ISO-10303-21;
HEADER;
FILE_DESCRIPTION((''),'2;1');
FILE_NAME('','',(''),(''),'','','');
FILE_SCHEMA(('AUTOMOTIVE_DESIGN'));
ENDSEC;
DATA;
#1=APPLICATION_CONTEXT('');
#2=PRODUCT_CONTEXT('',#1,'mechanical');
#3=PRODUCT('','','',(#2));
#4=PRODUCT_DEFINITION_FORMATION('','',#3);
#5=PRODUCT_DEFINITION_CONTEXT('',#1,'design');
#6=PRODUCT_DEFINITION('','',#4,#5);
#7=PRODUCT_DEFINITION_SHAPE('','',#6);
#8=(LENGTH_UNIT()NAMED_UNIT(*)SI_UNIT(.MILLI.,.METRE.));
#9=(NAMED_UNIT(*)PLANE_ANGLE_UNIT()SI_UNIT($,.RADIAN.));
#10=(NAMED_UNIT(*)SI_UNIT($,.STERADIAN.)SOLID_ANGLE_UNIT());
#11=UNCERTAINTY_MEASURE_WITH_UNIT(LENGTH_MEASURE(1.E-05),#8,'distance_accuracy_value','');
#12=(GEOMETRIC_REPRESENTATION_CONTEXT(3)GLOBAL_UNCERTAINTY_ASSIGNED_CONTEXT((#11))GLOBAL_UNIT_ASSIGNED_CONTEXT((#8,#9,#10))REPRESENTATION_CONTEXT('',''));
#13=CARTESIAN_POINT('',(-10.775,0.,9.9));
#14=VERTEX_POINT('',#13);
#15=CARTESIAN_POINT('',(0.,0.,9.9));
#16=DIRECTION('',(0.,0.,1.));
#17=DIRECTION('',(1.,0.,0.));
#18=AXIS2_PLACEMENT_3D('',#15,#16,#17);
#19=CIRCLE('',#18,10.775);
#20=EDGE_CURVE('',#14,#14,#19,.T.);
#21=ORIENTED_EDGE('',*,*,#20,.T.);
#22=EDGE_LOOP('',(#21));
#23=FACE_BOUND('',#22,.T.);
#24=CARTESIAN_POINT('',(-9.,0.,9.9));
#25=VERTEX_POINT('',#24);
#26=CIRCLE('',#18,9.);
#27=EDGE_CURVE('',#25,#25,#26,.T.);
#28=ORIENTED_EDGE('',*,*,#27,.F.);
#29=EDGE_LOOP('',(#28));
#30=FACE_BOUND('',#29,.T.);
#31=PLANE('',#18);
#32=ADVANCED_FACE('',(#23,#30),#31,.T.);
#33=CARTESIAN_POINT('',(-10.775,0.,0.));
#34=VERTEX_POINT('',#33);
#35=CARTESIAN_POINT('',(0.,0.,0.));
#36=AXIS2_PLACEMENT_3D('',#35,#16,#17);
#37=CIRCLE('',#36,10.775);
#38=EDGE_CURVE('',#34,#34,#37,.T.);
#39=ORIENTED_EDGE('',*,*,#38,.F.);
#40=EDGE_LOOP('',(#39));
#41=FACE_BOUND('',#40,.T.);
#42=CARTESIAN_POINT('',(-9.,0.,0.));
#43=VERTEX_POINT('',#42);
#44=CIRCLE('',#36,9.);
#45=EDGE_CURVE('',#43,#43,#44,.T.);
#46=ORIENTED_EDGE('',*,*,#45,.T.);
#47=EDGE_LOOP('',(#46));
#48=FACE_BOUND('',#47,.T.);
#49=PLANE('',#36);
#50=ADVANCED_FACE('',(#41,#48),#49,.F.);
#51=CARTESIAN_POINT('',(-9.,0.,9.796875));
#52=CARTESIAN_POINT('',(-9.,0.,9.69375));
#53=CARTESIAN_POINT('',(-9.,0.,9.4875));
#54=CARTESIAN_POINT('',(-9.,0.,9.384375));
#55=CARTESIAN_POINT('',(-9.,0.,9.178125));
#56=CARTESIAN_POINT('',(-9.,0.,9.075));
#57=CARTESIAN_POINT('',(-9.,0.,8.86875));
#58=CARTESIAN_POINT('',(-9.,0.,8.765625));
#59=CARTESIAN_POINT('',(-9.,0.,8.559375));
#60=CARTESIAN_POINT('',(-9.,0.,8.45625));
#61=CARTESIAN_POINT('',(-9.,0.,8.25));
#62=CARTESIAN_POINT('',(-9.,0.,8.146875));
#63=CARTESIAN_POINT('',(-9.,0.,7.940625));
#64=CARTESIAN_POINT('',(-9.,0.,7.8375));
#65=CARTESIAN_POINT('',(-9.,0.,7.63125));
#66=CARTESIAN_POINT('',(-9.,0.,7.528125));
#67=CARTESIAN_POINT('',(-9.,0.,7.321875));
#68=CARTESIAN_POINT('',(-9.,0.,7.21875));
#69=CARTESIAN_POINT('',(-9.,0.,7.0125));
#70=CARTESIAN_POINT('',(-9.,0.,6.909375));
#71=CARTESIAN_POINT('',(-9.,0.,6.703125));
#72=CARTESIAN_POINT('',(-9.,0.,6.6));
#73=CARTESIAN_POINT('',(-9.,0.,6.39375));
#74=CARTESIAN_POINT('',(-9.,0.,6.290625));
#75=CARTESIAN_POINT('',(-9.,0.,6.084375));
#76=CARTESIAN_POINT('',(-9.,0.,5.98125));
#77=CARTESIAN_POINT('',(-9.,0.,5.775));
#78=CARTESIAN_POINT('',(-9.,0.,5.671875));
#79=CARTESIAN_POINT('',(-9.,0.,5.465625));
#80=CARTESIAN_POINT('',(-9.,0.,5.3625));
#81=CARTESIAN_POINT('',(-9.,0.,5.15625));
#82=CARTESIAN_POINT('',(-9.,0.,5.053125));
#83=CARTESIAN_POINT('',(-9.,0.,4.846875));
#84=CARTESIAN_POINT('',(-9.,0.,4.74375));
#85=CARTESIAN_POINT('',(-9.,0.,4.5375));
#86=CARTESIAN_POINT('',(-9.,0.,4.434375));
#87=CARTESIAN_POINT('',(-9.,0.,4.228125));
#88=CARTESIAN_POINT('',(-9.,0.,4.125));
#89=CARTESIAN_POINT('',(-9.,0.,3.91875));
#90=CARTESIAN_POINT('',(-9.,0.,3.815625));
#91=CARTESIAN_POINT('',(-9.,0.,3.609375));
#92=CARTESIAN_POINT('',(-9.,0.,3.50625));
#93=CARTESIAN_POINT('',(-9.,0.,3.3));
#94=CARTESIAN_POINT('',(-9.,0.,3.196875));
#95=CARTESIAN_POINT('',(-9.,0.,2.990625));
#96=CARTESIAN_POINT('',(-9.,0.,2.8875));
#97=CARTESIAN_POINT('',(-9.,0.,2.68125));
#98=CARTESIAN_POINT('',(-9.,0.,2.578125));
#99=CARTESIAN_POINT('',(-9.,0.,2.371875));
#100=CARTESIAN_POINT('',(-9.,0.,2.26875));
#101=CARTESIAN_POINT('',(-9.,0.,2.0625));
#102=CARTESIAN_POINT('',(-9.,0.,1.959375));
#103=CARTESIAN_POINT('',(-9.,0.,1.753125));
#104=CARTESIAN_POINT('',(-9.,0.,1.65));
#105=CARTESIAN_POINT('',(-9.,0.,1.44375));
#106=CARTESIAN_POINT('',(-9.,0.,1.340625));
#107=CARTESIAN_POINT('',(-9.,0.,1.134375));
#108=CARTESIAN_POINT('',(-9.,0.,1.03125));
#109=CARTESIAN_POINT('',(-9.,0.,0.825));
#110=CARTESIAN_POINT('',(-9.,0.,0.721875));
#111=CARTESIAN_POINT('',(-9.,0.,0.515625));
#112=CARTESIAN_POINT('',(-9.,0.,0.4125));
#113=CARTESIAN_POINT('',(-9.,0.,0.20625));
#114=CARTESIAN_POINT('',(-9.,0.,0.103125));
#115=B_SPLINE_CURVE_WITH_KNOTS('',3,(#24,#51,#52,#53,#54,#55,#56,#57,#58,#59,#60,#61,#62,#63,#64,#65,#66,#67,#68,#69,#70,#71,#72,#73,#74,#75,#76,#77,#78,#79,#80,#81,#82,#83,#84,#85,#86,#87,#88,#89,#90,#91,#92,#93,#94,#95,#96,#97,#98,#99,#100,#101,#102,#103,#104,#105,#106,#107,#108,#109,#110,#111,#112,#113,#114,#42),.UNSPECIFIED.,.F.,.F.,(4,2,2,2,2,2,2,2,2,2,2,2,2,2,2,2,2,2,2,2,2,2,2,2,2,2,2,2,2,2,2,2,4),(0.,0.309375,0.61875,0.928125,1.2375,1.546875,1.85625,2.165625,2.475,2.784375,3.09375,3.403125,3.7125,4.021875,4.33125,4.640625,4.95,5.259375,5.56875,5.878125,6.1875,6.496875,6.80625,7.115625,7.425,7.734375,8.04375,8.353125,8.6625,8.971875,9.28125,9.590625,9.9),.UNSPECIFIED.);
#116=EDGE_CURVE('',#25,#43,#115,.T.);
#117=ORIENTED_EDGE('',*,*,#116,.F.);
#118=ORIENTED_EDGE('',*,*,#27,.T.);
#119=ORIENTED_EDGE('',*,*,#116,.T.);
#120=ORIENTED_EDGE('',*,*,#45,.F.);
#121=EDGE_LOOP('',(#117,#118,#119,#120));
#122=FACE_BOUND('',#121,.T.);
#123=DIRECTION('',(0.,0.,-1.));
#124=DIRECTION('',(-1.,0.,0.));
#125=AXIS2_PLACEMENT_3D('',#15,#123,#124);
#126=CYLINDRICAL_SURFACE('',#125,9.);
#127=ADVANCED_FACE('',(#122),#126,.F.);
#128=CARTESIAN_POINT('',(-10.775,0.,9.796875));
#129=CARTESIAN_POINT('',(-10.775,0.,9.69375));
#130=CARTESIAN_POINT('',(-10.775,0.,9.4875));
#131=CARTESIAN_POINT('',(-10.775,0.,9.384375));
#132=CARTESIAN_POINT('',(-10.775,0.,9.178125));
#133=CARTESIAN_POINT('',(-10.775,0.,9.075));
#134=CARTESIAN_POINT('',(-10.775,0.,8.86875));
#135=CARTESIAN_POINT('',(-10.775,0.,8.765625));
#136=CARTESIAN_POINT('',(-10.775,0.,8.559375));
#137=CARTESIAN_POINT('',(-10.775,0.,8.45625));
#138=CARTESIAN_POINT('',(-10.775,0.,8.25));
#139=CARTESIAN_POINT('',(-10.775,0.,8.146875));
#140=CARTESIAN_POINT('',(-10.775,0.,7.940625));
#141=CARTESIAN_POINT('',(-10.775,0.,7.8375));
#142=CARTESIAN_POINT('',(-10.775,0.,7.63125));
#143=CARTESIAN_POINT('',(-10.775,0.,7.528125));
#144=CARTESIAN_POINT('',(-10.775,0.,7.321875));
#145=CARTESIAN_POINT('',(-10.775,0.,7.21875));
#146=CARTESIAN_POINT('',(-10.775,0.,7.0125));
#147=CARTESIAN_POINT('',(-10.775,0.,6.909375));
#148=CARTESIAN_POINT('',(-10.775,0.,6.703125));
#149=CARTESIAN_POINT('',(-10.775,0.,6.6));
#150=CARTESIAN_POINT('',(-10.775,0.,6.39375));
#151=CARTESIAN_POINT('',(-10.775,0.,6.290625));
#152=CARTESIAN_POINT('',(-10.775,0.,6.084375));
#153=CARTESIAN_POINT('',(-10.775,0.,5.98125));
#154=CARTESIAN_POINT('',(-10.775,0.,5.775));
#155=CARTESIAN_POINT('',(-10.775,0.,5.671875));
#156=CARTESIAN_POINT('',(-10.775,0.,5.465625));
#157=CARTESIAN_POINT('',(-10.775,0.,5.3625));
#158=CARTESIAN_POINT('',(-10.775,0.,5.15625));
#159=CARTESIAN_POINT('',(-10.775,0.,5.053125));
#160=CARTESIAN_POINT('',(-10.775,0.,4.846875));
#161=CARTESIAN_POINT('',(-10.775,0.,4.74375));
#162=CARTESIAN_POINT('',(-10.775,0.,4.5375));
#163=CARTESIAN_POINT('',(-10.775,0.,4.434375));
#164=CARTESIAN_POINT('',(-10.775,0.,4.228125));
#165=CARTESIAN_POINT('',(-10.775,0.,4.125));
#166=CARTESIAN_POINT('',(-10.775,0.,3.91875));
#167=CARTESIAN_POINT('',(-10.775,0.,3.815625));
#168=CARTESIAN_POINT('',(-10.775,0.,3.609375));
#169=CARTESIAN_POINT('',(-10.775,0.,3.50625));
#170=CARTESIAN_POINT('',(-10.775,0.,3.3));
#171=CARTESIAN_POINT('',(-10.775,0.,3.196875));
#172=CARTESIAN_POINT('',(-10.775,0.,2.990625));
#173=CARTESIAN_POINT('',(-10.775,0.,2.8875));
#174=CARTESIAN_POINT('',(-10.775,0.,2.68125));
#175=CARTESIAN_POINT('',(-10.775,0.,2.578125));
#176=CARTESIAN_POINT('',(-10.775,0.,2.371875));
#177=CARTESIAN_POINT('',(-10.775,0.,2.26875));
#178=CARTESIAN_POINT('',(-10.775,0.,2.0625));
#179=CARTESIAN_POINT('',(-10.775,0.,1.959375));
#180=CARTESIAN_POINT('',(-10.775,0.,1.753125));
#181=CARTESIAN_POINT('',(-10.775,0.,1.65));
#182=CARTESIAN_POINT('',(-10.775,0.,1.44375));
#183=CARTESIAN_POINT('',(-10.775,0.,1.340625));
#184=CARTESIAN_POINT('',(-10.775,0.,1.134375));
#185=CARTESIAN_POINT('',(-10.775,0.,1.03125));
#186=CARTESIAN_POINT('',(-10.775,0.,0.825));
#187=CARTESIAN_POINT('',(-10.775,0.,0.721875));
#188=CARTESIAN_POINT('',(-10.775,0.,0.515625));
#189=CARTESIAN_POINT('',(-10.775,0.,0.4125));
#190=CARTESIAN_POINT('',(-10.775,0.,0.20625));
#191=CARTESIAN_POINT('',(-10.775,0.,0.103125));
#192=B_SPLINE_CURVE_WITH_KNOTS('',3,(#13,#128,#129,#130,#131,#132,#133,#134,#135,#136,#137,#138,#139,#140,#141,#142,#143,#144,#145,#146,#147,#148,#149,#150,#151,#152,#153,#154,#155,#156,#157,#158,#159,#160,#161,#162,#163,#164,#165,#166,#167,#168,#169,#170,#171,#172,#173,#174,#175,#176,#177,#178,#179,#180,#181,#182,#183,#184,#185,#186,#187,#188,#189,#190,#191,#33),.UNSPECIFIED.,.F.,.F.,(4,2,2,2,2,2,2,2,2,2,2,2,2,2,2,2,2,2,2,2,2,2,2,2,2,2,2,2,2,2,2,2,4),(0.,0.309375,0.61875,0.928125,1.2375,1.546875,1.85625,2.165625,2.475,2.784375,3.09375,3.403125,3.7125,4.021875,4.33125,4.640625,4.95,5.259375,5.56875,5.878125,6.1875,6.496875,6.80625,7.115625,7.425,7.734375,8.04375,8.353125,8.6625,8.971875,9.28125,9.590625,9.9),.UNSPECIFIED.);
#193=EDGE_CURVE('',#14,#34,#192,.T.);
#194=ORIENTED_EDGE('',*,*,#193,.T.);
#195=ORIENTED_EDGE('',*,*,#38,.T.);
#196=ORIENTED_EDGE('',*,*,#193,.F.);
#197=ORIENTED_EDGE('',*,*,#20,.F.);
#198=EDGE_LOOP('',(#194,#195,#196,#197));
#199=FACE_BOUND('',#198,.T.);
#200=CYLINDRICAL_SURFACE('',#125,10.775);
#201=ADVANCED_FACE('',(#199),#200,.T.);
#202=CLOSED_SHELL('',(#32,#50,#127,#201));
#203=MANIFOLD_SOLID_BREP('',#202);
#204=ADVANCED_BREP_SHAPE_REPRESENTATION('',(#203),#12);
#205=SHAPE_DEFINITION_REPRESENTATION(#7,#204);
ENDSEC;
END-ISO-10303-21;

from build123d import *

# Parameters (mm, degrees)
ESQUISSE1_R      = 10.775
ESQUISSE1_R_2    = 9
EXTRUSION1_DEPTH = 9.9


with BuildPart() as part:
    # Esquisse1 → Extrusion1 (new body)
    with BuildSketch(Plane.XY):
        with Locations(Location((0, 0, 0), (0, 0, 180))):
            Circle(ESQUISSE1_R)
        with Locations(Location((0, 0, 0), (0, 0, 180))):
            Circle(ESQUISSE1_R_2, mode=Mode.SUBTRACT)
    extrude(amount=EXTRUSION1_DEPTH)


solid = part.part
